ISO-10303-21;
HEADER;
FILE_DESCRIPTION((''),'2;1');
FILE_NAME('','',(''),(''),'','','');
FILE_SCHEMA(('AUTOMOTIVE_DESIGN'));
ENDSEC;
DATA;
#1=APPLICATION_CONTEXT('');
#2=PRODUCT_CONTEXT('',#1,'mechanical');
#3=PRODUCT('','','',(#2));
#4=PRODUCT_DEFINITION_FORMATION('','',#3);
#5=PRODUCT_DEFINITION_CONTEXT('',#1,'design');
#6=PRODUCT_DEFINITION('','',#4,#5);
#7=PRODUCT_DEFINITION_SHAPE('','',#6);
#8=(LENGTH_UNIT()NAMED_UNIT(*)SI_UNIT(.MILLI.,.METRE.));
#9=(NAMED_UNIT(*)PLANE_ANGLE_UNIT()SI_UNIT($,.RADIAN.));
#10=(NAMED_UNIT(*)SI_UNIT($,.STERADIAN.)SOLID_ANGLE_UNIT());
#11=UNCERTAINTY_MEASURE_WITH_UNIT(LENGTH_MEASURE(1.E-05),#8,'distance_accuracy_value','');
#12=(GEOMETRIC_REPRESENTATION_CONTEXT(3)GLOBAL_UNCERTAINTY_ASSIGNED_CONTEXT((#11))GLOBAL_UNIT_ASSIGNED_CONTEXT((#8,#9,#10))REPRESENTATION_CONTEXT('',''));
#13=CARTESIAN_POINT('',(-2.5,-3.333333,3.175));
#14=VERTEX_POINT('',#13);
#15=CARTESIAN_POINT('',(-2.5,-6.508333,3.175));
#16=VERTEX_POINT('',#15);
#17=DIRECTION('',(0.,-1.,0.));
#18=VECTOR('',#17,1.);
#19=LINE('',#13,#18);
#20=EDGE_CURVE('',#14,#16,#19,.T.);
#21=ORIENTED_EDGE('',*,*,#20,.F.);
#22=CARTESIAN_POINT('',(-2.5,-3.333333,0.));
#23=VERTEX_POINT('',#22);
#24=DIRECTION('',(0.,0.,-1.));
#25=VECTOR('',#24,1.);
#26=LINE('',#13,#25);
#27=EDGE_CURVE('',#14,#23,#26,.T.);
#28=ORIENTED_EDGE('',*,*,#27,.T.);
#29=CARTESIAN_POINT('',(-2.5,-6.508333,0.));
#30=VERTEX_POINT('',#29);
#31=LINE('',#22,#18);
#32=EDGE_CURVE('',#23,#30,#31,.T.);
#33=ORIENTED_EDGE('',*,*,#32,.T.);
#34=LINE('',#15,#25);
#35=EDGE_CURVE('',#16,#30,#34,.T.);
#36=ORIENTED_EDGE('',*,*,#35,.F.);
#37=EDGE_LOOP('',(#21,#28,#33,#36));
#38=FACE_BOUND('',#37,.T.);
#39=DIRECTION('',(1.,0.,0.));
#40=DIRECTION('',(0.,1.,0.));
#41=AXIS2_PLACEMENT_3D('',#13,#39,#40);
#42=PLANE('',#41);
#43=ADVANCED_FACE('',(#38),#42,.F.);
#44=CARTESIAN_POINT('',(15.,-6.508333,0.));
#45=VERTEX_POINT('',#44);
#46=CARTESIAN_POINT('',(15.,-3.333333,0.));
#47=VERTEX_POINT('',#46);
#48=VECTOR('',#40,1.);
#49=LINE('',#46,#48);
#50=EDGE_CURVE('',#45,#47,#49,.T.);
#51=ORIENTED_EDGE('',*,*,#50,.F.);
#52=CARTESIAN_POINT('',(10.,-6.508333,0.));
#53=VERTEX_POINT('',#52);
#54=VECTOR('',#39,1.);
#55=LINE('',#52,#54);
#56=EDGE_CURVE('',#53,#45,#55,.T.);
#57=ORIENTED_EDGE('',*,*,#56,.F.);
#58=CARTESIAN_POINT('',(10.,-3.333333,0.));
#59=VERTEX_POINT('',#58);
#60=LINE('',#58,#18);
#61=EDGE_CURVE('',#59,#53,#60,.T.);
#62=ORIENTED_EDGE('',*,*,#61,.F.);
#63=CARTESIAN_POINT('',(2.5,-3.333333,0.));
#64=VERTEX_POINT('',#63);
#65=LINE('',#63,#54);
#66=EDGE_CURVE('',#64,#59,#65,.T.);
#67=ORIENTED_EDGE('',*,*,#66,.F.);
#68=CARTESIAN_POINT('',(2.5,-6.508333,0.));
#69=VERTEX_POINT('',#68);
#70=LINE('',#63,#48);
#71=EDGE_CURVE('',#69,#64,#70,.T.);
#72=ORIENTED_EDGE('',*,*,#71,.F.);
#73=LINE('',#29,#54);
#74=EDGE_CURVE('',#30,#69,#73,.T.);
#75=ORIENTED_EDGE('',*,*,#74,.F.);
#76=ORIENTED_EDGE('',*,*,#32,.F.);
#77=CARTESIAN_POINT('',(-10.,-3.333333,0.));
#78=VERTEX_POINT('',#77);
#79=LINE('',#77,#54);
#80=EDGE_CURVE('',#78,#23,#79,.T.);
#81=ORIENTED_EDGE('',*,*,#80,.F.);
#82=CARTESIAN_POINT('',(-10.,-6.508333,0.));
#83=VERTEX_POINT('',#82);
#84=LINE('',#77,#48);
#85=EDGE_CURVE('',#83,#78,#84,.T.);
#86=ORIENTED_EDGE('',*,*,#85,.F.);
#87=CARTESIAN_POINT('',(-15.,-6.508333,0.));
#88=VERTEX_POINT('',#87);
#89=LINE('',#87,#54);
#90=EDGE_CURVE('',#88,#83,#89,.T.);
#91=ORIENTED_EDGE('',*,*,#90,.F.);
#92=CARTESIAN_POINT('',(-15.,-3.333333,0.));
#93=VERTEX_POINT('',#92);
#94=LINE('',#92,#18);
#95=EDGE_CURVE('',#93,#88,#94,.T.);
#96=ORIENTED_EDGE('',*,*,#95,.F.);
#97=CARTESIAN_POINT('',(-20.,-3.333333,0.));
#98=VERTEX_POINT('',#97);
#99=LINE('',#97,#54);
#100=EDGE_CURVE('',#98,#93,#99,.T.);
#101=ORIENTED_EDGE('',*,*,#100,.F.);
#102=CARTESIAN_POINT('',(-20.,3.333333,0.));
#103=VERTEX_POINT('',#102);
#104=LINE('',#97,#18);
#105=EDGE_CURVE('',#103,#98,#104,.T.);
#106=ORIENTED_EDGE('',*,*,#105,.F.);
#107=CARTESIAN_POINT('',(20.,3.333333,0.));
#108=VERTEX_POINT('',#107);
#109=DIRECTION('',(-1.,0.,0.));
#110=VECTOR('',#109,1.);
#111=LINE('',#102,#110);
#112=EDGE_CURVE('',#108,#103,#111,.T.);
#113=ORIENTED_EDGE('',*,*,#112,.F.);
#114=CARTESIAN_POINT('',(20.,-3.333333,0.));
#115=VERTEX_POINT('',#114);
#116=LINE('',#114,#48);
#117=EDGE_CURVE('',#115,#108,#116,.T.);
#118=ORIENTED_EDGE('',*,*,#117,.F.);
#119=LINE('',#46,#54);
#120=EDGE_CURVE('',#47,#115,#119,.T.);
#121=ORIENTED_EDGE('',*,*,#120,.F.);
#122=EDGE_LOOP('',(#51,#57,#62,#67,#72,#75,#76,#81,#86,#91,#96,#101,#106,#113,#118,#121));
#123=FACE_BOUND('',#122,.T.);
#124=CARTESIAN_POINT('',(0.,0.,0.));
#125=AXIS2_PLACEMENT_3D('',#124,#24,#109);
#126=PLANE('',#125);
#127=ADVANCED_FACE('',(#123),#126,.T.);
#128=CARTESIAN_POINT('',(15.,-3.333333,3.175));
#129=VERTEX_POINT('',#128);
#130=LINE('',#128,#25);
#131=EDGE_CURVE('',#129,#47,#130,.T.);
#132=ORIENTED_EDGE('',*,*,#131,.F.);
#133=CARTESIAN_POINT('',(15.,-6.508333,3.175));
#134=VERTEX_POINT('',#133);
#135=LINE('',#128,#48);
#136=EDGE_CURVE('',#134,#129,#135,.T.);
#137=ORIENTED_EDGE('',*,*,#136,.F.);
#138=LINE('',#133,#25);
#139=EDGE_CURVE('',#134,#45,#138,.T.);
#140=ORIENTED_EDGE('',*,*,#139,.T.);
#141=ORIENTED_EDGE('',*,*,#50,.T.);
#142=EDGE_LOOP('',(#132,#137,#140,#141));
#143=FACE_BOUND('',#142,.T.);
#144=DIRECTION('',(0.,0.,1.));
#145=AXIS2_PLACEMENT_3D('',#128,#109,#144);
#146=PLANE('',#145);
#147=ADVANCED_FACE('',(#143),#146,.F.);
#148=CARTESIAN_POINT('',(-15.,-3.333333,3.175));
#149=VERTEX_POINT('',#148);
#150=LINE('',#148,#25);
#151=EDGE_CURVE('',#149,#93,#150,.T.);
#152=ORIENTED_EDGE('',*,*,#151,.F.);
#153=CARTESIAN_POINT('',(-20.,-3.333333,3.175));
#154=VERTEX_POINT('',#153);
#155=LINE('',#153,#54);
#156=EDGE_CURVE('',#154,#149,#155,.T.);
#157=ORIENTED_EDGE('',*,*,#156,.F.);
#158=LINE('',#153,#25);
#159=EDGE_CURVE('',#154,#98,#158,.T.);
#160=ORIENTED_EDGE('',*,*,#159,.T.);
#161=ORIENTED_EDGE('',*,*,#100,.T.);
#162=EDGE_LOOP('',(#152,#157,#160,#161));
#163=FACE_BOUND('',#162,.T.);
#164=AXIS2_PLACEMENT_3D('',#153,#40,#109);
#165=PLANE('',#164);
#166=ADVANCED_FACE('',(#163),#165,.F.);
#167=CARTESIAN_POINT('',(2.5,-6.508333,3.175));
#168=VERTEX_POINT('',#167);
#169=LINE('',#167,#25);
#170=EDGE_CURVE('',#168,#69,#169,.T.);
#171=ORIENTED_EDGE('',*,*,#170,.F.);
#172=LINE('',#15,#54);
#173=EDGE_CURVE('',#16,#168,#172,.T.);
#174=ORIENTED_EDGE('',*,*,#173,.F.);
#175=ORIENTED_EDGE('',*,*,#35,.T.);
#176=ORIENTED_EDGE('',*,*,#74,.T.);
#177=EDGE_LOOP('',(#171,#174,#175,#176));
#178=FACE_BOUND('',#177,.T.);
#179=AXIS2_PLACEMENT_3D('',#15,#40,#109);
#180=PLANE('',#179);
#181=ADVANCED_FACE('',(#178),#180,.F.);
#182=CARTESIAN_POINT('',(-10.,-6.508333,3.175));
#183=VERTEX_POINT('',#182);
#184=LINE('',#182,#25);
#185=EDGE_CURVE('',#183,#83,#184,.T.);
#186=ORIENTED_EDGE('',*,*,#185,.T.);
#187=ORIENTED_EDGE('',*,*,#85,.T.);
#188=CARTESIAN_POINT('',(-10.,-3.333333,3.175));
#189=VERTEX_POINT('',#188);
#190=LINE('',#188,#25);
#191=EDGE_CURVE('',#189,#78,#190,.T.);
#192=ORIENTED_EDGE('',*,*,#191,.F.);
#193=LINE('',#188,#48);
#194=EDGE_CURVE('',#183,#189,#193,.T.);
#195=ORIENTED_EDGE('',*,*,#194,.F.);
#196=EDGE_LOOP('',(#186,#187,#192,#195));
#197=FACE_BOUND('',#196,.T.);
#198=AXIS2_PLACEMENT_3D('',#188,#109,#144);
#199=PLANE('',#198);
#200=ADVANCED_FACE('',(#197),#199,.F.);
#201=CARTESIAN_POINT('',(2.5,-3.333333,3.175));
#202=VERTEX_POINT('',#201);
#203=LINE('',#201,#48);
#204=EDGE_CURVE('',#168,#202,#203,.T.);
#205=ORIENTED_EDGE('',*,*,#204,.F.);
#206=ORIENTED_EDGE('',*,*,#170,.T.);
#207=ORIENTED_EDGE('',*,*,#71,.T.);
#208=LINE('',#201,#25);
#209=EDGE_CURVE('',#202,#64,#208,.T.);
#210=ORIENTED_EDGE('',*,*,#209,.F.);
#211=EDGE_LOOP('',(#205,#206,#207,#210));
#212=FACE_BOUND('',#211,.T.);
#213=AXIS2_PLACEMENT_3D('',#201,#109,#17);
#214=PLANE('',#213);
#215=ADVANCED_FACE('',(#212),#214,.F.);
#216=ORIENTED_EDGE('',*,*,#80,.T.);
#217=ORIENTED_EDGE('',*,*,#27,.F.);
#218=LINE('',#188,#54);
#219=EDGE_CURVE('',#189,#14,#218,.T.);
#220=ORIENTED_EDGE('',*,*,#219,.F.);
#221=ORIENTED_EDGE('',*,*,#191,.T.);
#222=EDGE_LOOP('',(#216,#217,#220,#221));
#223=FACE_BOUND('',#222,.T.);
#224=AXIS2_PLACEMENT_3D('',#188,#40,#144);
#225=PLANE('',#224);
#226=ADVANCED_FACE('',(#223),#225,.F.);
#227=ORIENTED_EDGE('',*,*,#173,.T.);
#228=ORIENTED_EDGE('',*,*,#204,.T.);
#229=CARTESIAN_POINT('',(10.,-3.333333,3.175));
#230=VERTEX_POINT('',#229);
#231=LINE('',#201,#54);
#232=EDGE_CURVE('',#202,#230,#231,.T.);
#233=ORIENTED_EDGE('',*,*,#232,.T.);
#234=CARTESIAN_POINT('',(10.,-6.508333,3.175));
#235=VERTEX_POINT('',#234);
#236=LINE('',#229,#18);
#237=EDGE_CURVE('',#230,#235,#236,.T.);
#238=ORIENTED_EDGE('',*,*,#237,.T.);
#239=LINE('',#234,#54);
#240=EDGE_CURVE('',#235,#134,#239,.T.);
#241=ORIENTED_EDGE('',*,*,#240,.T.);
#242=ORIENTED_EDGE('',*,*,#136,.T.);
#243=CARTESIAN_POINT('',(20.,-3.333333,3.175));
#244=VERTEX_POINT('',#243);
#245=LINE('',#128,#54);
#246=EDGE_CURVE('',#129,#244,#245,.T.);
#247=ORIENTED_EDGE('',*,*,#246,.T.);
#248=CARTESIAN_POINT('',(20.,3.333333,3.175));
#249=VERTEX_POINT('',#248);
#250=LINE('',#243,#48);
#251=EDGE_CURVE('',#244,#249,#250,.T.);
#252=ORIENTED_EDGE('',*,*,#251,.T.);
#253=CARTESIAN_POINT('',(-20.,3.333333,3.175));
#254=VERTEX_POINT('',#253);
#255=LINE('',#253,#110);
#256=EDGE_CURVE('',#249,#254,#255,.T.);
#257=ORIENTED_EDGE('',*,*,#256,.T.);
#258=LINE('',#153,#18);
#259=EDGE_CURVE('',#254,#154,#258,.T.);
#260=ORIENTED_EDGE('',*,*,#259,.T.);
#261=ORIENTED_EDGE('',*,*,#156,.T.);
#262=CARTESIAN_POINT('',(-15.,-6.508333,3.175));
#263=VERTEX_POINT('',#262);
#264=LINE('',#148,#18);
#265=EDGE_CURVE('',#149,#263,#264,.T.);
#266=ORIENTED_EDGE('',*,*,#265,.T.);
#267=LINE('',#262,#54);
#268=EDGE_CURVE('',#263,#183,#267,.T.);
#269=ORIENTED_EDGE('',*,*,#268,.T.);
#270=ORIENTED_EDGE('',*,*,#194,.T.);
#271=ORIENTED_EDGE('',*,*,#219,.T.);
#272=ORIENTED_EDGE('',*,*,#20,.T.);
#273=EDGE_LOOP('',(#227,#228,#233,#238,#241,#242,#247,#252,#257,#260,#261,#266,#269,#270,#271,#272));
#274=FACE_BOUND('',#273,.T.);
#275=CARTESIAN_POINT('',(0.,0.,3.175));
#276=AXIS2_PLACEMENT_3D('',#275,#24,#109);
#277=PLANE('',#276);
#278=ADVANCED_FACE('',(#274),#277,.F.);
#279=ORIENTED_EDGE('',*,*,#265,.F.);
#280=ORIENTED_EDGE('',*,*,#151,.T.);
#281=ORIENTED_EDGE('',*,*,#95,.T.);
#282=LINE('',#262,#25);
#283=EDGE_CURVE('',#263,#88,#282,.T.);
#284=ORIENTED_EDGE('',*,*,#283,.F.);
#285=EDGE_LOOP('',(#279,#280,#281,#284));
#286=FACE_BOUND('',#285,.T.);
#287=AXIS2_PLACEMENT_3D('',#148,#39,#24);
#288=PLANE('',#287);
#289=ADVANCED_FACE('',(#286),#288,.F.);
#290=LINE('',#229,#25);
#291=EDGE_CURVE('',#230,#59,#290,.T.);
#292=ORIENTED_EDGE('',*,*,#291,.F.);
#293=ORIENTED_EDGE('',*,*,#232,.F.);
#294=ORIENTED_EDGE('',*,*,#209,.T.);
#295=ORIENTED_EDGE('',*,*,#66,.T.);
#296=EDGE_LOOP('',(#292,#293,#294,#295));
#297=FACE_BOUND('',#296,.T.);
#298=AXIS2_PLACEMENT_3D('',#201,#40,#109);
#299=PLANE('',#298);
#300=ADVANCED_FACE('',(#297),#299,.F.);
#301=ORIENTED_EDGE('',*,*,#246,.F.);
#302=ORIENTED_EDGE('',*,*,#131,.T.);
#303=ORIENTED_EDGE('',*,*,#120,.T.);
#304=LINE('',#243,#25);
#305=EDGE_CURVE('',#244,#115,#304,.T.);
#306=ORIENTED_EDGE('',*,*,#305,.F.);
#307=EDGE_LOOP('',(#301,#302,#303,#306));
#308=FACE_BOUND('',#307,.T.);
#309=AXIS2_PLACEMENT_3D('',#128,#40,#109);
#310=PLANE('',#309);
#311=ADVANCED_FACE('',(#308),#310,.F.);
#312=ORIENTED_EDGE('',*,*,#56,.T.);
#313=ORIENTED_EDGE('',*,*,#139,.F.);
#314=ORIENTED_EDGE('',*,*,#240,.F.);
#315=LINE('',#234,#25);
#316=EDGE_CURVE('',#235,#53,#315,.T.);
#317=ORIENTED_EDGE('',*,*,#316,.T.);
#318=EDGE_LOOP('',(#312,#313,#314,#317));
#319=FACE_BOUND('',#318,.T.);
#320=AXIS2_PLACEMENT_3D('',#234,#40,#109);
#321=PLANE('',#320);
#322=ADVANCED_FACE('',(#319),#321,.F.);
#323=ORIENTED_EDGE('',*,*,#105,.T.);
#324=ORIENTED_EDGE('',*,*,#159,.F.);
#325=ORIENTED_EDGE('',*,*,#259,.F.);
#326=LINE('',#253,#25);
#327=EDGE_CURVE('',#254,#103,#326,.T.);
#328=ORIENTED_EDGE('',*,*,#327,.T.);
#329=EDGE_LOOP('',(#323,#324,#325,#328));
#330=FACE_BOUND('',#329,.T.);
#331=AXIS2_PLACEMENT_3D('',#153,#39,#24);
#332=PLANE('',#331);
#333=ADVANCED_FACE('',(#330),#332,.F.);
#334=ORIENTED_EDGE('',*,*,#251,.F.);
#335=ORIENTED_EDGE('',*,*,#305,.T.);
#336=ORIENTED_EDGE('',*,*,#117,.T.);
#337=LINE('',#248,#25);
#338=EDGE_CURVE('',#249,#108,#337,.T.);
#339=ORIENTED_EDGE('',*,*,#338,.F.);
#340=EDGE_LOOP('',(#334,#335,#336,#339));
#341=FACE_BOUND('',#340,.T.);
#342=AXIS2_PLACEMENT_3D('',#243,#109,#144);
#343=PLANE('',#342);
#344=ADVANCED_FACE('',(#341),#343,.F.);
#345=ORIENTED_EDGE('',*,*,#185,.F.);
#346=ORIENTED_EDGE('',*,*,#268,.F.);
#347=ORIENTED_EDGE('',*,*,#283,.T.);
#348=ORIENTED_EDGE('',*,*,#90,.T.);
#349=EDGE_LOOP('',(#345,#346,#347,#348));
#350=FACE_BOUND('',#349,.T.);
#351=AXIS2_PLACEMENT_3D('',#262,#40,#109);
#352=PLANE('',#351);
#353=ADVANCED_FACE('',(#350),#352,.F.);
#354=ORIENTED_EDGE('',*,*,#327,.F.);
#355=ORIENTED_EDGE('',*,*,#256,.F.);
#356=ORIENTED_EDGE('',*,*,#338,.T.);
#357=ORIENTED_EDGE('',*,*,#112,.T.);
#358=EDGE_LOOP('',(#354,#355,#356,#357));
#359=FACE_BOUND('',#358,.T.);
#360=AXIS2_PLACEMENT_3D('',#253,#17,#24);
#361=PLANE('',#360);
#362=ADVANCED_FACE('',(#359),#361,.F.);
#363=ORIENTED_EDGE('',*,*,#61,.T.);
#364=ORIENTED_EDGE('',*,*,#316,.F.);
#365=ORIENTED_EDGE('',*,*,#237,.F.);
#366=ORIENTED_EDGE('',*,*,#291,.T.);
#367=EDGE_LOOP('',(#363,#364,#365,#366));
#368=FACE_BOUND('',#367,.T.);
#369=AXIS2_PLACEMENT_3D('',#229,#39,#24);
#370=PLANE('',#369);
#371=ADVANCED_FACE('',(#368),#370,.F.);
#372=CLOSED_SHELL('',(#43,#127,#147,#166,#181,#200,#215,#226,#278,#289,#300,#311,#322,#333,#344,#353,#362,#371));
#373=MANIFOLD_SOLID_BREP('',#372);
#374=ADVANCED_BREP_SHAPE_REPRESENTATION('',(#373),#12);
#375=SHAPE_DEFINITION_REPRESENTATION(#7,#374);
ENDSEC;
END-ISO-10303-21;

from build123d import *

# Parameters (mm, degrees)
BOSS_EXTRUDE1_DEPTH = 3.175


with BuildPart() as part:
    # Sketch1 → Boss-Extrude1 (new body)
    with BuildSketch(Plane.XY):
        Polygon((-20, -3.333333333), (-15, -3.333333333), (-15, -6.508333333), (-10, -6.508333333), (-10, -3.333333333), (-2.5, -3.333333333), (-2.5, -6.508333333), (2.5, -6.508333333), (2.5, -3.333333333), (10, -3.333333333), (10, -6.508333333), (15, -6.508333333), (15, -3.333333333), (20, -3.333333333), (20, 3.333333333), (-20, 3.333333333), align=None)
    extrude(amount=BOSS_EXTRUDE1_DEPTH)


solid = part.part
